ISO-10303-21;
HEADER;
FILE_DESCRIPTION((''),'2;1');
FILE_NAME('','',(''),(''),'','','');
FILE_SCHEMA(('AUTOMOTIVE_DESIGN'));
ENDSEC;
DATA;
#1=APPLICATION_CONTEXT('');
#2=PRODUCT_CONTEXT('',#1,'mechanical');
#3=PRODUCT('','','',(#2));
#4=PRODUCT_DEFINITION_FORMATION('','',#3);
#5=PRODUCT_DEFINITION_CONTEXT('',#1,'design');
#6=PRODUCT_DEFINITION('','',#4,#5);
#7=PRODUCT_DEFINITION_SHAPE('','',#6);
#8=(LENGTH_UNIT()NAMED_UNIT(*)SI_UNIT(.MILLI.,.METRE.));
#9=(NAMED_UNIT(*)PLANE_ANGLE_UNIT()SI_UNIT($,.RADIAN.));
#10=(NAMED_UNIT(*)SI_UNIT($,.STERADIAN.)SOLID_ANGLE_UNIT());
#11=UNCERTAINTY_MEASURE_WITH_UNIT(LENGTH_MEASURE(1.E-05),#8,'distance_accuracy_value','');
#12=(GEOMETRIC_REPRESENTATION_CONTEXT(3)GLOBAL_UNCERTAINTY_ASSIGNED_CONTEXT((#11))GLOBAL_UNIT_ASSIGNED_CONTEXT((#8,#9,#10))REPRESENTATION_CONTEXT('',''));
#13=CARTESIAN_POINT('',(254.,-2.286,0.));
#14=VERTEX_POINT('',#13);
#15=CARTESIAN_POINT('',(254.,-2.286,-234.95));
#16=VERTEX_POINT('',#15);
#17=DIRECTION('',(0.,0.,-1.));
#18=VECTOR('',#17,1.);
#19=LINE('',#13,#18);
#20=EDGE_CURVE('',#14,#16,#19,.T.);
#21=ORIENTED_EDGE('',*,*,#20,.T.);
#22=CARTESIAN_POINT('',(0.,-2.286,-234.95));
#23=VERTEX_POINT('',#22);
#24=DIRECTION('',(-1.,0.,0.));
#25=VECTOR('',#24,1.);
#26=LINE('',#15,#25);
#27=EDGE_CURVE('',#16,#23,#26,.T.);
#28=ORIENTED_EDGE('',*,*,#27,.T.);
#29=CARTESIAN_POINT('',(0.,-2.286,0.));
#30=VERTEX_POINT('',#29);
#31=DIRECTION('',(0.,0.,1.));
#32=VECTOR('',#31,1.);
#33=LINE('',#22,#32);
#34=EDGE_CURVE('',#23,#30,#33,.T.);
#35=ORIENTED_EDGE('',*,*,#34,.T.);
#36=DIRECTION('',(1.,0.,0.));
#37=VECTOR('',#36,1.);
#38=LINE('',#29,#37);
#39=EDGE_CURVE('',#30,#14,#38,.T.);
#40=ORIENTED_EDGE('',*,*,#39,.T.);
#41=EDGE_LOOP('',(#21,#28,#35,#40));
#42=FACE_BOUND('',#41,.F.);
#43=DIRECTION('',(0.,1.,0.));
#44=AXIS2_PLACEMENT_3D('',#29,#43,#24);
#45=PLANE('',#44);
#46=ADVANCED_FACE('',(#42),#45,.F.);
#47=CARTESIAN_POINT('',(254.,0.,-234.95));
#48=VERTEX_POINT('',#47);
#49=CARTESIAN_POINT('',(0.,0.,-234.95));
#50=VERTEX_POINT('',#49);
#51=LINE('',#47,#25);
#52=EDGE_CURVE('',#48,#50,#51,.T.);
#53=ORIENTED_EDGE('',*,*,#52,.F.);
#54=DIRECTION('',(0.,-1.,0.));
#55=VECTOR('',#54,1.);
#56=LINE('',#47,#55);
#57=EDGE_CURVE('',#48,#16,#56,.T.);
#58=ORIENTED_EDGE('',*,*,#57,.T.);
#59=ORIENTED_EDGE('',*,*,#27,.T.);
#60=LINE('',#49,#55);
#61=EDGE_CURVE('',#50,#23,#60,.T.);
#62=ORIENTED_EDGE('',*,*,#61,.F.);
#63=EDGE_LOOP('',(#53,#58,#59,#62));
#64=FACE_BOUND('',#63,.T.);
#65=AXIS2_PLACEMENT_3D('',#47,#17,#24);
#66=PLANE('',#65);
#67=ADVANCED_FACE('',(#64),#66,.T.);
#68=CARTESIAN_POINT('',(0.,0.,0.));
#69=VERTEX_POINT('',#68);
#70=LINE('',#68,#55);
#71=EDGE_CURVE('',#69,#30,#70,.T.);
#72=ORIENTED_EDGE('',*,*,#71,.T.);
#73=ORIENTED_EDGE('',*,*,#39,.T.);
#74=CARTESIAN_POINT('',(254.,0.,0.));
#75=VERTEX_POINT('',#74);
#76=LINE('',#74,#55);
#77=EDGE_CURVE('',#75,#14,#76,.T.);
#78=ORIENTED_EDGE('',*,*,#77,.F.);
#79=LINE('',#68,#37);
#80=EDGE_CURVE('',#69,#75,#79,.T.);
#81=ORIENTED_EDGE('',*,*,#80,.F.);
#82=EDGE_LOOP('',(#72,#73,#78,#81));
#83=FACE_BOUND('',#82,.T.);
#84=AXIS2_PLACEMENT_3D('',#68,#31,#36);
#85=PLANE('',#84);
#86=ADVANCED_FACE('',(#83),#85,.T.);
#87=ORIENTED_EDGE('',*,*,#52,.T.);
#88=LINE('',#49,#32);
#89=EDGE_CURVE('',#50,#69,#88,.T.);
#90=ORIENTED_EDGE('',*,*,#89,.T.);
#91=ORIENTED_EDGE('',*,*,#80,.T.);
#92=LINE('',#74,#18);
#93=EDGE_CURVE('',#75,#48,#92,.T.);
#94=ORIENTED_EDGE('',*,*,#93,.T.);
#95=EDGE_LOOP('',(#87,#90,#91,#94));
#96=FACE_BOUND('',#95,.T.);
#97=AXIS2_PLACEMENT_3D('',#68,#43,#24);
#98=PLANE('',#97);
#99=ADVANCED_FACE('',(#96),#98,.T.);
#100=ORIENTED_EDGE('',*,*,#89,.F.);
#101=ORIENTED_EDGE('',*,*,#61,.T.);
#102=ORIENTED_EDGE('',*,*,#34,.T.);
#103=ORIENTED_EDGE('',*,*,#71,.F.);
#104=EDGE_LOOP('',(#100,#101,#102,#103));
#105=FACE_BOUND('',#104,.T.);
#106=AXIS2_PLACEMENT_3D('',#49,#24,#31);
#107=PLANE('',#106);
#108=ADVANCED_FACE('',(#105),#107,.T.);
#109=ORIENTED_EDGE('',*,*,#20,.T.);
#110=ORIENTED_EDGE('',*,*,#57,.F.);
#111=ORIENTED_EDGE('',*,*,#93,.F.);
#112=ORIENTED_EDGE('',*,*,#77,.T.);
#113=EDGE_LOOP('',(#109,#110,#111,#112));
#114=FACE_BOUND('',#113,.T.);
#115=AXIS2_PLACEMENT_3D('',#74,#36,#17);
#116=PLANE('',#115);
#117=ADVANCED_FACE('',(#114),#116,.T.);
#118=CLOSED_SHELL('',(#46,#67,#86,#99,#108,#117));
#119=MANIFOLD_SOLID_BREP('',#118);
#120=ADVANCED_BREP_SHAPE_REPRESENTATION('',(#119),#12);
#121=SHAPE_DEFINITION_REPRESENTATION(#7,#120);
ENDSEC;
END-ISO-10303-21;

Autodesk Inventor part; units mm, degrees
ref_plane "YZ Plane" through (0, 0, 0) normal (1, 0, 0) x (0, 1, 0)
ref_plane "XZ Plane" through (0, 0, 0) normal (0, 1, 0) x (-1, 0, 0)
ref_plane "XY Plane" through (0, 0, 0) normal (0, 0, 1) x (1, 0, 0)
sketch "Sketch1" plane through (0, 0, 0) normal (0, 1, 0) x (-1, 0, 0)
  line L0 (0, 0) -> (-254, 0)
  line L1 (-254, 0) -> (-254, -234.95)
  line L2 (-254, -234.95) -> (0, -234.95)
  line L3 (0, -234.95) -> (0, 0)
  dimension "d0" = 254
  dimension "d1" = 234.95
extrude "Extrusion1" add sketch "Sketch1" against normal blind 2.286
properties part number "Top Sheet"
